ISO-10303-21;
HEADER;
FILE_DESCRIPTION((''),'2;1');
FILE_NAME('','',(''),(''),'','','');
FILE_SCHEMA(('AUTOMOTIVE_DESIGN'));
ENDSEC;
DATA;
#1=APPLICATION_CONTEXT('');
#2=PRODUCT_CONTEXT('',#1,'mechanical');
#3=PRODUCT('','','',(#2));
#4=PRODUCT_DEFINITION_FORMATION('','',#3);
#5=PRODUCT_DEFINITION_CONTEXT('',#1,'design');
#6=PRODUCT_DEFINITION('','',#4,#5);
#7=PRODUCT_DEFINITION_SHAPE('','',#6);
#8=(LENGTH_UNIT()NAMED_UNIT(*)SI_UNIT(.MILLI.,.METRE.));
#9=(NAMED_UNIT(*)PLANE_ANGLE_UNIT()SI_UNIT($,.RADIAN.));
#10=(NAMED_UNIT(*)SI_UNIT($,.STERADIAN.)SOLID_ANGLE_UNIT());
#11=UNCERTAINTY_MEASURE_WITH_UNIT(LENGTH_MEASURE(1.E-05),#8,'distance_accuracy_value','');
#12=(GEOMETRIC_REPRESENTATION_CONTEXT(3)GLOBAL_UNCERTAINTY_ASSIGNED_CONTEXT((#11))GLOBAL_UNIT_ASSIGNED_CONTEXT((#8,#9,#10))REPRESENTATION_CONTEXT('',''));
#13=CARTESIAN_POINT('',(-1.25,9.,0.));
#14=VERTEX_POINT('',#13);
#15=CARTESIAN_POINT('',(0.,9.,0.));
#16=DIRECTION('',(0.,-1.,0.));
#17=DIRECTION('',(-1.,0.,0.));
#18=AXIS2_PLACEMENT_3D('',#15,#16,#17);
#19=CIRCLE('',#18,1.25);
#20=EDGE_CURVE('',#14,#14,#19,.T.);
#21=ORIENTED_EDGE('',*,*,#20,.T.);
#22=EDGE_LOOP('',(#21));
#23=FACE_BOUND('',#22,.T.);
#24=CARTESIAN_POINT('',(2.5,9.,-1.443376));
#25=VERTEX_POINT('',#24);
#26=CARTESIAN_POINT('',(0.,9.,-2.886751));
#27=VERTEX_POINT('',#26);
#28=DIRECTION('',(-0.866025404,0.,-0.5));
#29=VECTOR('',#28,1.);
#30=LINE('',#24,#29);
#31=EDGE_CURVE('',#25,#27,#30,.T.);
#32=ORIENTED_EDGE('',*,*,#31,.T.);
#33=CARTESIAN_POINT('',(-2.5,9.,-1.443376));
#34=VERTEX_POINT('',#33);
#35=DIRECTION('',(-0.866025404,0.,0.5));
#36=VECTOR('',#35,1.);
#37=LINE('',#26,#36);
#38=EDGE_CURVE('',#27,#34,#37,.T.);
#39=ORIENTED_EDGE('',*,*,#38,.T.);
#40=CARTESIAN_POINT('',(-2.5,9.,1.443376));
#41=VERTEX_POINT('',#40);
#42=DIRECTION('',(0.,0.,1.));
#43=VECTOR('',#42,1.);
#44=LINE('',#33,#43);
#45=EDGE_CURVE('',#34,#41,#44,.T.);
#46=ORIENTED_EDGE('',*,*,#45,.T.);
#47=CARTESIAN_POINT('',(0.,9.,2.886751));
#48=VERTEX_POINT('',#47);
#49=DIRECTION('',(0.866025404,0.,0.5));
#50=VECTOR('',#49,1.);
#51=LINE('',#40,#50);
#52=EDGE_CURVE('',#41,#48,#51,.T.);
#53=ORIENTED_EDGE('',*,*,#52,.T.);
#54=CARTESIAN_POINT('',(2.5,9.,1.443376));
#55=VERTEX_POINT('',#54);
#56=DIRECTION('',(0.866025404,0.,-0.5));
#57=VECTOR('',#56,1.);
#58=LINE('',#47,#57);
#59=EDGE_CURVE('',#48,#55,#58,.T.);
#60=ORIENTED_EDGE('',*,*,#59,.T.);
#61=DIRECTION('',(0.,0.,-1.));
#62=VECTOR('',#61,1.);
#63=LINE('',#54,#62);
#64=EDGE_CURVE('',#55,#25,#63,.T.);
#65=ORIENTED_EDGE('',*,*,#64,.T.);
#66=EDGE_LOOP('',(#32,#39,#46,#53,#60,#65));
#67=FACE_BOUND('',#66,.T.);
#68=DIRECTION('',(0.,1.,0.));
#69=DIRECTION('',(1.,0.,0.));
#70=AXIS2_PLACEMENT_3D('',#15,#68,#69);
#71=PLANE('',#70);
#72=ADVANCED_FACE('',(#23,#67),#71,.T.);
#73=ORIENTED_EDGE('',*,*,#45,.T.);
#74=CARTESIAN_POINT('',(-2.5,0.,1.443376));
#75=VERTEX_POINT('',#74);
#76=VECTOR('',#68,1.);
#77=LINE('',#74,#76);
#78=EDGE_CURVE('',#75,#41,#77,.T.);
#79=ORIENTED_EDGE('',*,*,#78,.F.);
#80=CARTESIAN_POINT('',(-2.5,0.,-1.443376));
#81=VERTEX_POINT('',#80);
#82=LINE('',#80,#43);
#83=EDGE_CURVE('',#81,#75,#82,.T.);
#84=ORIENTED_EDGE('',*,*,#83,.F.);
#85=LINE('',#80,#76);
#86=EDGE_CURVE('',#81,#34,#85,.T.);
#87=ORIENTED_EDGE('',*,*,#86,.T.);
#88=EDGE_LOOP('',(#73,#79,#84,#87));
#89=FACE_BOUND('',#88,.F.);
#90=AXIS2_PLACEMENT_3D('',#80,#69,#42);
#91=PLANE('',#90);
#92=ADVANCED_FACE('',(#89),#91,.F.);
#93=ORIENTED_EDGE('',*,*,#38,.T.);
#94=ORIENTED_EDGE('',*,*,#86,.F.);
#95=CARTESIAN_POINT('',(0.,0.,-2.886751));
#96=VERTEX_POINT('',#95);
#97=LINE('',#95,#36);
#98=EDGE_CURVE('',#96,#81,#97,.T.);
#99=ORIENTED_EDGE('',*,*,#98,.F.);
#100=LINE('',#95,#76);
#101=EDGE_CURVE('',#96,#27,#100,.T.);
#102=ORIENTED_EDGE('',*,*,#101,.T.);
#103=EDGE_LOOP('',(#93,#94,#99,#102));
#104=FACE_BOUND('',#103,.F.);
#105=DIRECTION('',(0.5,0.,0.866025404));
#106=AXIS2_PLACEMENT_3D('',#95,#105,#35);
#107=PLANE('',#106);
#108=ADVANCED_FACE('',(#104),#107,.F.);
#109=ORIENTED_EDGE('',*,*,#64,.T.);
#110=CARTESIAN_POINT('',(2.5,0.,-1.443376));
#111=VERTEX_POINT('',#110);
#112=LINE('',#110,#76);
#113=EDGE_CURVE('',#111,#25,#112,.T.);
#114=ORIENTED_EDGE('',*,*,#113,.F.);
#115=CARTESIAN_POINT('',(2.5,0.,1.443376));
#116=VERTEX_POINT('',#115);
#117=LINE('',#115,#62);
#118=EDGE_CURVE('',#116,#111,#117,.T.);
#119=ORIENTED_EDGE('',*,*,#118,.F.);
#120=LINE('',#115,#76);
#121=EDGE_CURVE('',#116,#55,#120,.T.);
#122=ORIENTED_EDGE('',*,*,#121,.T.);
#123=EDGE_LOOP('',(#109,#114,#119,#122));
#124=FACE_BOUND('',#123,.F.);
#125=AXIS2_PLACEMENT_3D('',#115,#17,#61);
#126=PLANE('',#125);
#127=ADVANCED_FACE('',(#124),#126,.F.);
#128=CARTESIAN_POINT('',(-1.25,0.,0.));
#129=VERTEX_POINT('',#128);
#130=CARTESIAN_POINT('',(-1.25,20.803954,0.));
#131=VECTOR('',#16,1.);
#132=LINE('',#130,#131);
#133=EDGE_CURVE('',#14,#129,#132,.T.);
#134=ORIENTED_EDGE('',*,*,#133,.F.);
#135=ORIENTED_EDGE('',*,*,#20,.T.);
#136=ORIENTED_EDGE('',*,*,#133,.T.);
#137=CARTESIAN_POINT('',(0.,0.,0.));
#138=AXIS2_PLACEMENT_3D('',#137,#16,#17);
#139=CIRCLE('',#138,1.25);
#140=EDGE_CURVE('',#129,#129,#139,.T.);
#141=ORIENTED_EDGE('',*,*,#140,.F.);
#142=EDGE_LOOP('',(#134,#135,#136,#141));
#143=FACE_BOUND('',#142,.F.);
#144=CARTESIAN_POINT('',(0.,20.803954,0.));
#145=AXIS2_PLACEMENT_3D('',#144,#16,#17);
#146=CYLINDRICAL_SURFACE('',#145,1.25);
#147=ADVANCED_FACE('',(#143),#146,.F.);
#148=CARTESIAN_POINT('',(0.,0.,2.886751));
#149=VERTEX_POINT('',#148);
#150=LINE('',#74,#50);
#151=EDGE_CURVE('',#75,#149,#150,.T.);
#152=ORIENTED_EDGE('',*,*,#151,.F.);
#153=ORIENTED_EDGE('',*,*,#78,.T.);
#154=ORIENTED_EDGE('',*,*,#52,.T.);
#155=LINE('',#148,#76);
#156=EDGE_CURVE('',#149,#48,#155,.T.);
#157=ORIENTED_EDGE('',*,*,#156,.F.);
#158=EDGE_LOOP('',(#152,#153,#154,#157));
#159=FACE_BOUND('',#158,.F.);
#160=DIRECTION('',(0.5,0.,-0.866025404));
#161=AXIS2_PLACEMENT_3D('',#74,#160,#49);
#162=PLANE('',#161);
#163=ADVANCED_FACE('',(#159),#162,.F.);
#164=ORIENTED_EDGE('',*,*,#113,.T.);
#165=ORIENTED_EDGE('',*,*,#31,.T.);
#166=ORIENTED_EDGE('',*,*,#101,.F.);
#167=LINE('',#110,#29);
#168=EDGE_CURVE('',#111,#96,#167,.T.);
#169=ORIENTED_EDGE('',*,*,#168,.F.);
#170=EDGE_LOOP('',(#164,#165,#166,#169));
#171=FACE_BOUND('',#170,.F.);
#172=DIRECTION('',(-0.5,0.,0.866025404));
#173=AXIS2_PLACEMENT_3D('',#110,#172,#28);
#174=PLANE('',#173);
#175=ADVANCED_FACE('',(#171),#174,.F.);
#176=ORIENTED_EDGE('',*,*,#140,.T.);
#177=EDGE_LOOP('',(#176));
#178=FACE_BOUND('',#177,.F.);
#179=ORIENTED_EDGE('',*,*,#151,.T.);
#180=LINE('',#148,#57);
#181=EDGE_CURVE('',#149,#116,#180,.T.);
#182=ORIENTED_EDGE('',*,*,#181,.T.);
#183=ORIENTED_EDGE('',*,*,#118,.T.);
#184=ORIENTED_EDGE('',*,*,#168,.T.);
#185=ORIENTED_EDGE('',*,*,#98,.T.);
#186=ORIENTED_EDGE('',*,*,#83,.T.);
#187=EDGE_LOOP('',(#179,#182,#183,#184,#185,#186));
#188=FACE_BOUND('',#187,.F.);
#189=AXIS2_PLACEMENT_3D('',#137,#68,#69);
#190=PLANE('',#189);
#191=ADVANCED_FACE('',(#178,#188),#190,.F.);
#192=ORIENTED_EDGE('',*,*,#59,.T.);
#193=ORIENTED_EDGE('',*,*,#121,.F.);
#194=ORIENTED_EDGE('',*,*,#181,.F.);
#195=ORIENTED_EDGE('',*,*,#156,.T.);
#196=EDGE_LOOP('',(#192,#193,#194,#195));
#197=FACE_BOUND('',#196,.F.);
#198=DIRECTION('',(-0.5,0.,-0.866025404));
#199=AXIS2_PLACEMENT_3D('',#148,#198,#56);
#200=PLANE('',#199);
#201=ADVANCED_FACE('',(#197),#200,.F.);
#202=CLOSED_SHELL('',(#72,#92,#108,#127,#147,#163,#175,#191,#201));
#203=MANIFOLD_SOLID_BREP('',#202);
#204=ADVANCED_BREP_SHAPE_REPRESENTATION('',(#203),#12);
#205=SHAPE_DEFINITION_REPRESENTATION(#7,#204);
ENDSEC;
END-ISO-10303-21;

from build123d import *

# Parameters (mm, degrees)
BOSS_EXTRUDE1_DEPTH         = 9
TAP_DRILL_FOR_M3X0_5_TAP1_D = 2.5


with BuildPart() as part:
    # Sketch1 → Boss-Extrude1 (new body)
    with BuildSketch(Plane(origin=(0, 0, 0), x_dir=(1, 0, 0), z_dir=(0, 1, 0))):
        Polygon((2.5, -1.443375673), (2.5, 1.443375673), (0, 2.886751346), (-2.5, 1.443375673), (-2.5, -1.443375673), (0, -2.886751346), align=None)
    extrude(amount=BOSS_EXTRUDE1_DEPTH)

    # Tap Drill for M3x0.5 Tap1 (through all)
    with Locations(Plane(origin=(0, 9, 0), x_dir=(1, 0, 0), z_dir=(0, 1, 0))):
        with Locations((0, 0)):
            Hole(TAP_DRILL_FOR_M3X0_5_TAP1_D / 2)


solid = part.part
